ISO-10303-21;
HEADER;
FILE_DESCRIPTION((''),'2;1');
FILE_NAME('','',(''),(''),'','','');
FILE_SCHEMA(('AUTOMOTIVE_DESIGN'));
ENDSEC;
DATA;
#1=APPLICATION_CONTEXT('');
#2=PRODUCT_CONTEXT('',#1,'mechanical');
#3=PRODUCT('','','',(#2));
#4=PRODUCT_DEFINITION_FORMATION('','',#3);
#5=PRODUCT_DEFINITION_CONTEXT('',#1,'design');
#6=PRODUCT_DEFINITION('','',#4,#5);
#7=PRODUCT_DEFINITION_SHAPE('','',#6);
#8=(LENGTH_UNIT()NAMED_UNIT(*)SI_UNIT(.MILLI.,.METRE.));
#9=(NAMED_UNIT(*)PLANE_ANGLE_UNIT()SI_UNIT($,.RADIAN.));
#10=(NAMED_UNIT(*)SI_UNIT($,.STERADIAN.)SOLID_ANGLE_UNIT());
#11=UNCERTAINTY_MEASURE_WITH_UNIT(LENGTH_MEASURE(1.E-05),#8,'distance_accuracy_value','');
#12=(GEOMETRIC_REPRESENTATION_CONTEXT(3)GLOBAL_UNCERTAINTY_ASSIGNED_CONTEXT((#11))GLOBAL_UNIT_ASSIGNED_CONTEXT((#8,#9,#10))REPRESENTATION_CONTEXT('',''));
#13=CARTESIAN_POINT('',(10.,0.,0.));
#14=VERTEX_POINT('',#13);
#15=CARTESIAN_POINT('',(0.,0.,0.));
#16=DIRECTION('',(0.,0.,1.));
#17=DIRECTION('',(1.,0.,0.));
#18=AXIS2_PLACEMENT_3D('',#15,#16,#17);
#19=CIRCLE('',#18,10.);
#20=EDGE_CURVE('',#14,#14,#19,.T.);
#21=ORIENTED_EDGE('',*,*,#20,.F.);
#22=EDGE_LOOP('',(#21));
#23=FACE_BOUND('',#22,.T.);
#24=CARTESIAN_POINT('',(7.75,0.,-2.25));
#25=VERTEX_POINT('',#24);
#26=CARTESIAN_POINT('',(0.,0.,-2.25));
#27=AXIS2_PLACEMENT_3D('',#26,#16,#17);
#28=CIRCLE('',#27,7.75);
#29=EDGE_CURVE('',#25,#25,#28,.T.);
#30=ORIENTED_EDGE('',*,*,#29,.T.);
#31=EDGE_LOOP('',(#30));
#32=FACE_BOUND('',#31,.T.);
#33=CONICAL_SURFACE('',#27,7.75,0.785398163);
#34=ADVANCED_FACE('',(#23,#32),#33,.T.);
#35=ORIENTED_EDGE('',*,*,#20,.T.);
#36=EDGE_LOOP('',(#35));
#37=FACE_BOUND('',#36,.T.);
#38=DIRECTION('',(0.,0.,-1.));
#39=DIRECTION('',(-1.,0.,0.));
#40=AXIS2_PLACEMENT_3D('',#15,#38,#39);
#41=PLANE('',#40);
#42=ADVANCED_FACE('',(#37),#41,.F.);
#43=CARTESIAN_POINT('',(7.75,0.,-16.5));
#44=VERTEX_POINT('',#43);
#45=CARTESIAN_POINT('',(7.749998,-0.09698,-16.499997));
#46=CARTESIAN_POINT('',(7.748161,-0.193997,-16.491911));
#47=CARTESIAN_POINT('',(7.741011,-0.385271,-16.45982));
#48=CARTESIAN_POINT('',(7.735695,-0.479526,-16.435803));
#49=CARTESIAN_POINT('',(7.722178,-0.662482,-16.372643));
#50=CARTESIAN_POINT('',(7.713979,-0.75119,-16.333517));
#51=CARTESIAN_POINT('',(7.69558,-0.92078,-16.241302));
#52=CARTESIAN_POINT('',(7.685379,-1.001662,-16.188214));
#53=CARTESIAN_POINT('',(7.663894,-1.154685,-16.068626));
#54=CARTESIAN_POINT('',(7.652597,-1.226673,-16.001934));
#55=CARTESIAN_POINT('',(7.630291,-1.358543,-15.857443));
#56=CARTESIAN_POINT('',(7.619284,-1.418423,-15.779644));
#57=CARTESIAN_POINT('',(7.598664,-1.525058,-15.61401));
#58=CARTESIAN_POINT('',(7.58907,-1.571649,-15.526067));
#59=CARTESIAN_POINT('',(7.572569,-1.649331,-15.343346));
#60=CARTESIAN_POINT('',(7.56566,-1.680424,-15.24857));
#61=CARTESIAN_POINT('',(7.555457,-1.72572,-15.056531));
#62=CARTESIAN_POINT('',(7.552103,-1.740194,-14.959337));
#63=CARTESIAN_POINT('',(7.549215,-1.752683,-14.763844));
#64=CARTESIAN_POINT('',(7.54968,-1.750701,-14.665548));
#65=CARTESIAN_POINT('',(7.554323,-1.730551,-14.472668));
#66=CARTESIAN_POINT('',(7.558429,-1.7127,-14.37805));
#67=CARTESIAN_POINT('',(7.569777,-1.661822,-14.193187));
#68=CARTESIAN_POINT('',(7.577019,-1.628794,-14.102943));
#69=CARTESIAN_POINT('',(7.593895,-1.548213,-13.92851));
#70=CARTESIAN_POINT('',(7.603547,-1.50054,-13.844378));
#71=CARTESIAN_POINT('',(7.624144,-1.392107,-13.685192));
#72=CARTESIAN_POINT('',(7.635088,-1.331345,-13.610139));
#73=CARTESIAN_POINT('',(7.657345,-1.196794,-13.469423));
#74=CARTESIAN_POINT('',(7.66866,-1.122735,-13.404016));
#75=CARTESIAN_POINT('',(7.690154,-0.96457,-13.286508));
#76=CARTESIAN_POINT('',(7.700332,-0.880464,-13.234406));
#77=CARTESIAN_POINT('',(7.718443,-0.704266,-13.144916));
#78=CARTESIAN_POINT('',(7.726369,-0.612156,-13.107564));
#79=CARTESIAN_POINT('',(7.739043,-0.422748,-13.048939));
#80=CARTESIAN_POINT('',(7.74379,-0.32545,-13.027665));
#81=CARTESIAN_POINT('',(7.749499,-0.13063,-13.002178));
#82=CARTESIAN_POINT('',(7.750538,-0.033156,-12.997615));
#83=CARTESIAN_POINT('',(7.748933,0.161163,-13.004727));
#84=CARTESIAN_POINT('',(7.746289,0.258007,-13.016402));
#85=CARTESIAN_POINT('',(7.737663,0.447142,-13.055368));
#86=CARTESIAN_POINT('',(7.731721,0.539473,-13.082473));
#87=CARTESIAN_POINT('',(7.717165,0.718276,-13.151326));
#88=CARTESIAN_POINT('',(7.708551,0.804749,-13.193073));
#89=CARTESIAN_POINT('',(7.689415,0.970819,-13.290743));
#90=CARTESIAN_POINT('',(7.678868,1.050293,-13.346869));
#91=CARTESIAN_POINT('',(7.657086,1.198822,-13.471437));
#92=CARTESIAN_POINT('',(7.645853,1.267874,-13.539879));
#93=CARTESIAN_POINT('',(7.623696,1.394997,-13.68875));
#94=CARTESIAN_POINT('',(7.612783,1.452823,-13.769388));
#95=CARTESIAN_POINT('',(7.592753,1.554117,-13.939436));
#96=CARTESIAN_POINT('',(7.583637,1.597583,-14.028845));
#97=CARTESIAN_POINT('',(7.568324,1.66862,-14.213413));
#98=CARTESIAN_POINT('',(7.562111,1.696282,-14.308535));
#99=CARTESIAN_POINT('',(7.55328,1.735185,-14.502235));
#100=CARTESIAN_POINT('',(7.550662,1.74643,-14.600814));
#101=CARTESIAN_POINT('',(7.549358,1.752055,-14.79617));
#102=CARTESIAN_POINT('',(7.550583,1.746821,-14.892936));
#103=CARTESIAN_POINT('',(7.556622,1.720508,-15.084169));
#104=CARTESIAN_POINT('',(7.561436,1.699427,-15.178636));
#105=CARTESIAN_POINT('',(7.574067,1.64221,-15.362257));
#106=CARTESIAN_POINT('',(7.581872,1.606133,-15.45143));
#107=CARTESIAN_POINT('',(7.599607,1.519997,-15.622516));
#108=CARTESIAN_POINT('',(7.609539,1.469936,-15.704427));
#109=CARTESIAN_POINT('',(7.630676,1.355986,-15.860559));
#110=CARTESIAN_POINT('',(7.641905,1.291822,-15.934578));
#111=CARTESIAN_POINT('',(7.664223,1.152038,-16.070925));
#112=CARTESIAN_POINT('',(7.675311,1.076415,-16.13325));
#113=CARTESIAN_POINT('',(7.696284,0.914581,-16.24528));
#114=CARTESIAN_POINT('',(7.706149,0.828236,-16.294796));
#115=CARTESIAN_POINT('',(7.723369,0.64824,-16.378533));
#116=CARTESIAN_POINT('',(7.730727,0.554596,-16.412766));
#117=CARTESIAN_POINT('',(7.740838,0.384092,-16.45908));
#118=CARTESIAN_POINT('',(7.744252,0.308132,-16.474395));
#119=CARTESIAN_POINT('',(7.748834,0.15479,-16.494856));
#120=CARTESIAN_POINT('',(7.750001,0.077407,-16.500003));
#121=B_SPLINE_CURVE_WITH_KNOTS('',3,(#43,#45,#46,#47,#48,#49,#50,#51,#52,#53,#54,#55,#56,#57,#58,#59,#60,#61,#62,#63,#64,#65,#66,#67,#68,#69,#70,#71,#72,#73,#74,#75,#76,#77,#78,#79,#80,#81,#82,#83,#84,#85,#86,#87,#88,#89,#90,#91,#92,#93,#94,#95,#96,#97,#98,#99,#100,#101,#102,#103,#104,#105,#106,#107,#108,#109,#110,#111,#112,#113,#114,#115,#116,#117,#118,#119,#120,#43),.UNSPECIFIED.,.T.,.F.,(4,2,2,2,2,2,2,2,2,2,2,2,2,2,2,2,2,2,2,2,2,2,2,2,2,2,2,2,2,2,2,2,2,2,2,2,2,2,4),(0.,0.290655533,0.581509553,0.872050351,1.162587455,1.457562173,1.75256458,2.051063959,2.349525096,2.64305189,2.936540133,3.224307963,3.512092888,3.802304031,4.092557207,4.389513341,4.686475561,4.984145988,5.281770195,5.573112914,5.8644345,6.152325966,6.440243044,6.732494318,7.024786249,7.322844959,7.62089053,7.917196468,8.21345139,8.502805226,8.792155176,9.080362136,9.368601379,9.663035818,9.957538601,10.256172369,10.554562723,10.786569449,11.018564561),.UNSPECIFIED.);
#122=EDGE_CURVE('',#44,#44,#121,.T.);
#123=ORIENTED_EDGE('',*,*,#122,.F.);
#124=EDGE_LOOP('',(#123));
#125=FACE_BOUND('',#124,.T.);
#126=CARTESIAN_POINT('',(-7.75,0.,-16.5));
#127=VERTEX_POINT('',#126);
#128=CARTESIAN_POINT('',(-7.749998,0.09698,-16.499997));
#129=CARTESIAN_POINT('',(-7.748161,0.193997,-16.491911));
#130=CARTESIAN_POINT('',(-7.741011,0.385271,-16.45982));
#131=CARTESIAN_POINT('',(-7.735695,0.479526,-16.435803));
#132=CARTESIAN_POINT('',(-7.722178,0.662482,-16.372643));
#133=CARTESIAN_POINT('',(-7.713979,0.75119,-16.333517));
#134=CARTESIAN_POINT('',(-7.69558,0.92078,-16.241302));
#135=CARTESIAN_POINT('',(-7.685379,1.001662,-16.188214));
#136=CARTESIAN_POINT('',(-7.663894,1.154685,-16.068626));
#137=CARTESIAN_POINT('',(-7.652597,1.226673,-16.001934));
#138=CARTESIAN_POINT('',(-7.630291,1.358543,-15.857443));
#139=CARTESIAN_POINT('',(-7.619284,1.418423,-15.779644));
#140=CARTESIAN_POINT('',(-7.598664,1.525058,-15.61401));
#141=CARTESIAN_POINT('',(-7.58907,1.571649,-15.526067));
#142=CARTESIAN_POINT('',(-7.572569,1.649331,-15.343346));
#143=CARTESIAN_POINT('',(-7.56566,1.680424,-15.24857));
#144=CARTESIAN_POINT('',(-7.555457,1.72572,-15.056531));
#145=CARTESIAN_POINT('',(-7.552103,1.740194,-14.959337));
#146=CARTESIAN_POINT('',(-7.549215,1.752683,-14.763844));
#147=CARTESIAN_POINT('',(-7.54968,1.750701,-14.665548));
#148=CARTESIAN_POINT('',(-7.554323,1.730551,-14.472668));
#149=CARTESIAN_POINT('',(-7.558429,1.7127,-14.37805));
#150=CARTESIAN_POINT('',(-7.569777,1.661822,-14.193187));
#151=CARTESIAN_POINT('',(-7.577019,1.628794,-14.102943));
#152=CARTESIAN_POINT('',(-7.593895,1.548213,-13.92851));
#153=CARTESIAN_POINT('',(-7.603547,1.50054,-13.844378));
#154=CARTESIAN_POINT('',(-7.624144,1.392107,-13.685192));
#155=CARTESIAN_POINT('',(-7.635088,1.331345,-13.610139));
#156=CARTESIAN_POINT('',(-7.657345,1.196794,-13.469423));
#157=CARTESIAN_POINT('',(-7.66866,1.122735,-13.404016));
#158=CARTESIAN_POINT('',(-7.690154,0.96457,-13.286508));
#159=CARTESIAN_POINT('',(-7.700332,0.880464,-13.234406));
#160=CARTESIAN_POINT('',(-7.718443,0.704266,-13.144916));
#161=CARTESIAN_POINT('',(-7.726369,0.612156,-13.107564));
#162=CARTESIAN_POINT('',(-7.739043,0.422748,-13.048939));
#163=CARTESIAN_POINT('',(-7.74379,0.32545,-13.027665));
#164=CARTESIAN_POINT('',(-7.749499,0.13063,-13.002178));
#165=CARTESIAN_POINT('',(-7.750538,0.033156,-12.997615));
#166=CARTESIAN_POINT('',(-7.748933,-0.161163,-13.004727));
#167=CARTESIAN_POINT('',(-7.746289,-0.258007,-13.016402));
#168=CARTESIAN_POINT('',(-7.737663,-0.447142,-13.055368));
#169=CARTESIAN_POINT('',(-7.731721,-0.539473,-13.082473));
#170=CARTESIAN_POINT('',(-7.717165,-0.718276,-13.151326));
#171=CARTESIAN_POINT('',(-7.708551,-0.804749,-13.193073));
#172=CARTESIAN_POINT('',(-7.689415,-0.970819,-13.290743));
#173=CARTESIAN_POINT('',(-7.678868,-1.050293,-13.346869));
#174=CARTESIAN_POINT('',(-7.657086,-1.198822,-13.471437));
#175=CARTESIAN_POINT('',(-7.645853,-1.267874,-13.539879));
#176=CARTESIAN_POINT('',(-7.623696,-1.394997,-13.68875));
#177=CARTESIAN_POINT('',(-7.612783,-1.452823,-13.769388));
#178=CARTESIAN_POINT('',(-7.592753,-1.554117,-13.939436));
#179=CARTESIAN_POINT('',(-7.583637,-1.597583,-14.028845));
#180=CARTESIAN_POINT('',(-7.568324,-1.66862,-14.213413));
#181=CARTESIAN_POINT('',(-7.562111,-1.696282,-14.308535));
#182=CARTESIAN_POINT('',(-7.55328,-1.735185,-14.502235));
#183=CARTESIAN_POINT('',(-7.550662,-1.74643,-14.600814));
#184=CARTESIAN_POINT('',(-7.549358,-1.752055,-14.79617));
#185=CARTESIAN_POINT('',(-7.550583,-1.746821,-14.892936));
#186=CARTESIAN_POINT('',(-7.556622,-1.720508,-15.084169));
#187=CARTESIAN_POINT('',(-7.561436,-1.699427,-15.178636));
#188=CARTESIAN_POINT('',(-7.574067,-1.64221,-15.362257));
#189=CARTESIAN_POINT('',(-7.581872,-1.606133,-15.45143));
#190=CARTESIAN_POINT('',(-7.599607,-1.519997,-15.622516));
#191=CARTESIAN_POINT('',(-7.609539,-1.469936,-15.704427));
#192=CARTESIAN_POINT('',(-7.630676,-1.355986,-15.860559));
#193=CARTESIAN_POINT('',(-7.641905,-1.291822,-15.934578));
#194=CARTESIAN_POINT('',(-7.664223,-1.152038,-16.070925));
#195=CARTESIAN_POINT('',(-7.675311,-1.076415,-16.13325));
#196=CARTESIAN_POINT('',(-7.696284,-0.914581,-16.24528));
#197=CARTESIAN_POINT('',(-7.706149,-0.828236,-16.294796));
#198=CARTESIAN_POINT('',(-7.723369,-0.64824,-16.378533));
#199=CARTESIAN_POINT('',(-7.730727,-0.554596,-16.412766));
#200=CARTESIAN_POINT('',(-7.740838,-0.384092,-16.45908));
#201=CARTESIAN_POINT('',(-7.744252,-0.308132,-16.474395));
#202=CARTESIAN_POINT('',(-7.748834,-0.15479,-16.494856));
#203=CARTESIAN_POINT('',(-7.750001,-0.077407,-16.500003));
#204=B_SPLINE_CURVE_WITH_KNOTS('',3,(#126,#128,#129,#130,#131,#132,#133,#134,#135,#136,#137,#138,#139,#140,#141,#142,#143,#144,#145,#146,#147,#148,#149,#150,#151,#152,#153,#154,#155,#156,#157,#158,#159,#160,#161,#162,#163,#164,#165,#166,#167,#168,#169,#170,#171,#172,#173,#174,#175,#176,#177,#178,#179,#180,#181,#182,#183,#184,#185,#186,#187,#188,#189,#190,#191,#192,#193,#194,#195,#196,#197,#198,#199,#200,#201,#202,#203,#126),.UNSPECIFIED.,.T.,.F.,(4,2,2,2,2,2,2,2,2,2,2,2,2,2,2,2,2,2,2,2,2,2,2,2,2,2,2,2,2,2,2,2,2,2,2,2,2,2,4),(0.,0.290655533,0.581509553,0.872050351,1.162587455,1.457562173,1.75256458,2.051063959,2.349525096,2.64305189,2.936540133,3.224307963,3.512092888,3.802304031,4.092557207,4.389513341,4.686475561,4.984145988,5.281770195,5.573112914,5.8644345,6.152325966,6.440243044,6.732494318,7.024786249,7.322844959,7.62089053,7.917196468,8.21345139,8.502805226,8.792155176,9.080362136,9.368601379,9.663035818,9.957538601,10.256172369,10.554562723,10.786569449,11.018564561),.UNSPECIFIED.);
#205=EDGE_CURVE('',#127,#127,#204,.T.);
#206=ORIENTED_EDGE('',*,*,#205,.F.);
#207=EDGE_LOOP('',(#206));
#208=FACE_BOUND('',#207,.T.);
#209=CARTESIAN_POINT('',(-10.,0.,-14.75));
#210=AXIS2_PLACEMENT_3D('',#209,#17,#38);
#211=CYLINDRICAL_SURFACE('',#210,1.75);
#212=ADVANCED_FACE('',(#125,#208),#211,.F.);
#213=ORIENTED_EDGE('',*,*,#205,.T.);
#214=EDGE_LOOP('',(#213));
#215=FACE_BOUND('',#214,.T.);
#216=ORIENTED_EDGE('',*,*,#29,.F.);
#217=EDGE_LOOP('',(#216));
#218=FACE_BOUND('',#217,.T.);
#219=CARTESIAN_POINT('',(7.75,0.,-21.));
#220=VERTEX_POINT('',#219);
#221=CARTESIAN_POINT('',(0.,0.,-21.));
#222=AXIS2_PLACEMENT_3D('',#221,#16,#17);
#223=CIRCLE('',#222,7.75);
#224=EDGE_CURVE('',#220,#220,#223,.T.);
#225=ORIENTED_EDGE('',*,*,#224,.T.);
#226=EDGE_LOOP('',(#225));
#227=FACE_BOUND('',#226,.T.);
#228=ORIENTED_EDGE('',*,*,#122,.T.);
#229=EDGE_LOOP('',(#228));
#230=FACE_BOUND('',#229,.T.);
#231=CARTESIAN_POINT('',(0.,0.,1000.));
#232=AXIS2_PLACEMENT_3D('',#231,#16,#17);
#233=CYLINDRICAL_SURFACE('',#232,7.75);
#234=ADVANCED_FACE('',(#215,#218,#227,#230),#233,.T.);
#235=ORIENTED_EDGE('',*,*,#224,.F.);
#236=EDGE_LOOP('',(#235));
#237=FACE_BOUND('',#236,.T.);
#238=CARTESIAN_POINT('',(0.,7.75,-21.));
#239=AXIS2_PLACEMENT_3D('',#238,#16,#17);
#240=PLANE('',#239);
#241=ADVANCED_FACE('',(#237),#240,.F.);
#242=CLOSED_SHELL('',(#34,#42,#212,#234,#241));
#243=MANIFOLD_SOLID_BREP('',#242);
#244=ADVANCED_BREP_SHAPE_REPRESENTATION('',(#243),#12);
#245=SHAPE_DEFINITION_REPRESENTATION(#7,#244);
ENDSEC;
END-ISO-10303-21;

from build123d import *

# Parameters (mm, degrees)
SKETCH_2_R               = 1.75
CUT_EXTRUDE_1_DEPTH      = 11
CUT_EXTRUDE_1_DEPTH_BACK = 11


with BuildPart() as part:
    # Эскиз1 → Повернуть1 (revolve)
    with BuildSketch(Plane(origin=(0, 0, 0), x_dir=(0, 0, -1), z_dir=(1, 0, 0))):
        Polygon((0, 0), (0, 10), (2.25, 7.75), (21, 7.75), (21, 0), align=None)
    revolve(axis=Axis((0, 0, 1000), (0, 0, -1)))

    # Эскиз2 → Вырез-Вытянуть1 (cut, two sides)
    with BuildSketch(Plane(origin=(0, 0, 0), x_dir=(0, 0, -1), z_dir=(1, 0, 0))) as cut_extrude_1_sk:
        with Locations((14.75, 0)):
            Circle(SKETCH_2_R)
    extrude(amount=CUT_EXTRUDE_1_DEPTH, mode=Mode.SUBTRACT)
    extrude(cut_extrude_1_sk.sketch, amount=-CUT_EXTRUDE_1_DEPTH_BACK, mode=Mode.SUBTRACT)


solid = part.part
